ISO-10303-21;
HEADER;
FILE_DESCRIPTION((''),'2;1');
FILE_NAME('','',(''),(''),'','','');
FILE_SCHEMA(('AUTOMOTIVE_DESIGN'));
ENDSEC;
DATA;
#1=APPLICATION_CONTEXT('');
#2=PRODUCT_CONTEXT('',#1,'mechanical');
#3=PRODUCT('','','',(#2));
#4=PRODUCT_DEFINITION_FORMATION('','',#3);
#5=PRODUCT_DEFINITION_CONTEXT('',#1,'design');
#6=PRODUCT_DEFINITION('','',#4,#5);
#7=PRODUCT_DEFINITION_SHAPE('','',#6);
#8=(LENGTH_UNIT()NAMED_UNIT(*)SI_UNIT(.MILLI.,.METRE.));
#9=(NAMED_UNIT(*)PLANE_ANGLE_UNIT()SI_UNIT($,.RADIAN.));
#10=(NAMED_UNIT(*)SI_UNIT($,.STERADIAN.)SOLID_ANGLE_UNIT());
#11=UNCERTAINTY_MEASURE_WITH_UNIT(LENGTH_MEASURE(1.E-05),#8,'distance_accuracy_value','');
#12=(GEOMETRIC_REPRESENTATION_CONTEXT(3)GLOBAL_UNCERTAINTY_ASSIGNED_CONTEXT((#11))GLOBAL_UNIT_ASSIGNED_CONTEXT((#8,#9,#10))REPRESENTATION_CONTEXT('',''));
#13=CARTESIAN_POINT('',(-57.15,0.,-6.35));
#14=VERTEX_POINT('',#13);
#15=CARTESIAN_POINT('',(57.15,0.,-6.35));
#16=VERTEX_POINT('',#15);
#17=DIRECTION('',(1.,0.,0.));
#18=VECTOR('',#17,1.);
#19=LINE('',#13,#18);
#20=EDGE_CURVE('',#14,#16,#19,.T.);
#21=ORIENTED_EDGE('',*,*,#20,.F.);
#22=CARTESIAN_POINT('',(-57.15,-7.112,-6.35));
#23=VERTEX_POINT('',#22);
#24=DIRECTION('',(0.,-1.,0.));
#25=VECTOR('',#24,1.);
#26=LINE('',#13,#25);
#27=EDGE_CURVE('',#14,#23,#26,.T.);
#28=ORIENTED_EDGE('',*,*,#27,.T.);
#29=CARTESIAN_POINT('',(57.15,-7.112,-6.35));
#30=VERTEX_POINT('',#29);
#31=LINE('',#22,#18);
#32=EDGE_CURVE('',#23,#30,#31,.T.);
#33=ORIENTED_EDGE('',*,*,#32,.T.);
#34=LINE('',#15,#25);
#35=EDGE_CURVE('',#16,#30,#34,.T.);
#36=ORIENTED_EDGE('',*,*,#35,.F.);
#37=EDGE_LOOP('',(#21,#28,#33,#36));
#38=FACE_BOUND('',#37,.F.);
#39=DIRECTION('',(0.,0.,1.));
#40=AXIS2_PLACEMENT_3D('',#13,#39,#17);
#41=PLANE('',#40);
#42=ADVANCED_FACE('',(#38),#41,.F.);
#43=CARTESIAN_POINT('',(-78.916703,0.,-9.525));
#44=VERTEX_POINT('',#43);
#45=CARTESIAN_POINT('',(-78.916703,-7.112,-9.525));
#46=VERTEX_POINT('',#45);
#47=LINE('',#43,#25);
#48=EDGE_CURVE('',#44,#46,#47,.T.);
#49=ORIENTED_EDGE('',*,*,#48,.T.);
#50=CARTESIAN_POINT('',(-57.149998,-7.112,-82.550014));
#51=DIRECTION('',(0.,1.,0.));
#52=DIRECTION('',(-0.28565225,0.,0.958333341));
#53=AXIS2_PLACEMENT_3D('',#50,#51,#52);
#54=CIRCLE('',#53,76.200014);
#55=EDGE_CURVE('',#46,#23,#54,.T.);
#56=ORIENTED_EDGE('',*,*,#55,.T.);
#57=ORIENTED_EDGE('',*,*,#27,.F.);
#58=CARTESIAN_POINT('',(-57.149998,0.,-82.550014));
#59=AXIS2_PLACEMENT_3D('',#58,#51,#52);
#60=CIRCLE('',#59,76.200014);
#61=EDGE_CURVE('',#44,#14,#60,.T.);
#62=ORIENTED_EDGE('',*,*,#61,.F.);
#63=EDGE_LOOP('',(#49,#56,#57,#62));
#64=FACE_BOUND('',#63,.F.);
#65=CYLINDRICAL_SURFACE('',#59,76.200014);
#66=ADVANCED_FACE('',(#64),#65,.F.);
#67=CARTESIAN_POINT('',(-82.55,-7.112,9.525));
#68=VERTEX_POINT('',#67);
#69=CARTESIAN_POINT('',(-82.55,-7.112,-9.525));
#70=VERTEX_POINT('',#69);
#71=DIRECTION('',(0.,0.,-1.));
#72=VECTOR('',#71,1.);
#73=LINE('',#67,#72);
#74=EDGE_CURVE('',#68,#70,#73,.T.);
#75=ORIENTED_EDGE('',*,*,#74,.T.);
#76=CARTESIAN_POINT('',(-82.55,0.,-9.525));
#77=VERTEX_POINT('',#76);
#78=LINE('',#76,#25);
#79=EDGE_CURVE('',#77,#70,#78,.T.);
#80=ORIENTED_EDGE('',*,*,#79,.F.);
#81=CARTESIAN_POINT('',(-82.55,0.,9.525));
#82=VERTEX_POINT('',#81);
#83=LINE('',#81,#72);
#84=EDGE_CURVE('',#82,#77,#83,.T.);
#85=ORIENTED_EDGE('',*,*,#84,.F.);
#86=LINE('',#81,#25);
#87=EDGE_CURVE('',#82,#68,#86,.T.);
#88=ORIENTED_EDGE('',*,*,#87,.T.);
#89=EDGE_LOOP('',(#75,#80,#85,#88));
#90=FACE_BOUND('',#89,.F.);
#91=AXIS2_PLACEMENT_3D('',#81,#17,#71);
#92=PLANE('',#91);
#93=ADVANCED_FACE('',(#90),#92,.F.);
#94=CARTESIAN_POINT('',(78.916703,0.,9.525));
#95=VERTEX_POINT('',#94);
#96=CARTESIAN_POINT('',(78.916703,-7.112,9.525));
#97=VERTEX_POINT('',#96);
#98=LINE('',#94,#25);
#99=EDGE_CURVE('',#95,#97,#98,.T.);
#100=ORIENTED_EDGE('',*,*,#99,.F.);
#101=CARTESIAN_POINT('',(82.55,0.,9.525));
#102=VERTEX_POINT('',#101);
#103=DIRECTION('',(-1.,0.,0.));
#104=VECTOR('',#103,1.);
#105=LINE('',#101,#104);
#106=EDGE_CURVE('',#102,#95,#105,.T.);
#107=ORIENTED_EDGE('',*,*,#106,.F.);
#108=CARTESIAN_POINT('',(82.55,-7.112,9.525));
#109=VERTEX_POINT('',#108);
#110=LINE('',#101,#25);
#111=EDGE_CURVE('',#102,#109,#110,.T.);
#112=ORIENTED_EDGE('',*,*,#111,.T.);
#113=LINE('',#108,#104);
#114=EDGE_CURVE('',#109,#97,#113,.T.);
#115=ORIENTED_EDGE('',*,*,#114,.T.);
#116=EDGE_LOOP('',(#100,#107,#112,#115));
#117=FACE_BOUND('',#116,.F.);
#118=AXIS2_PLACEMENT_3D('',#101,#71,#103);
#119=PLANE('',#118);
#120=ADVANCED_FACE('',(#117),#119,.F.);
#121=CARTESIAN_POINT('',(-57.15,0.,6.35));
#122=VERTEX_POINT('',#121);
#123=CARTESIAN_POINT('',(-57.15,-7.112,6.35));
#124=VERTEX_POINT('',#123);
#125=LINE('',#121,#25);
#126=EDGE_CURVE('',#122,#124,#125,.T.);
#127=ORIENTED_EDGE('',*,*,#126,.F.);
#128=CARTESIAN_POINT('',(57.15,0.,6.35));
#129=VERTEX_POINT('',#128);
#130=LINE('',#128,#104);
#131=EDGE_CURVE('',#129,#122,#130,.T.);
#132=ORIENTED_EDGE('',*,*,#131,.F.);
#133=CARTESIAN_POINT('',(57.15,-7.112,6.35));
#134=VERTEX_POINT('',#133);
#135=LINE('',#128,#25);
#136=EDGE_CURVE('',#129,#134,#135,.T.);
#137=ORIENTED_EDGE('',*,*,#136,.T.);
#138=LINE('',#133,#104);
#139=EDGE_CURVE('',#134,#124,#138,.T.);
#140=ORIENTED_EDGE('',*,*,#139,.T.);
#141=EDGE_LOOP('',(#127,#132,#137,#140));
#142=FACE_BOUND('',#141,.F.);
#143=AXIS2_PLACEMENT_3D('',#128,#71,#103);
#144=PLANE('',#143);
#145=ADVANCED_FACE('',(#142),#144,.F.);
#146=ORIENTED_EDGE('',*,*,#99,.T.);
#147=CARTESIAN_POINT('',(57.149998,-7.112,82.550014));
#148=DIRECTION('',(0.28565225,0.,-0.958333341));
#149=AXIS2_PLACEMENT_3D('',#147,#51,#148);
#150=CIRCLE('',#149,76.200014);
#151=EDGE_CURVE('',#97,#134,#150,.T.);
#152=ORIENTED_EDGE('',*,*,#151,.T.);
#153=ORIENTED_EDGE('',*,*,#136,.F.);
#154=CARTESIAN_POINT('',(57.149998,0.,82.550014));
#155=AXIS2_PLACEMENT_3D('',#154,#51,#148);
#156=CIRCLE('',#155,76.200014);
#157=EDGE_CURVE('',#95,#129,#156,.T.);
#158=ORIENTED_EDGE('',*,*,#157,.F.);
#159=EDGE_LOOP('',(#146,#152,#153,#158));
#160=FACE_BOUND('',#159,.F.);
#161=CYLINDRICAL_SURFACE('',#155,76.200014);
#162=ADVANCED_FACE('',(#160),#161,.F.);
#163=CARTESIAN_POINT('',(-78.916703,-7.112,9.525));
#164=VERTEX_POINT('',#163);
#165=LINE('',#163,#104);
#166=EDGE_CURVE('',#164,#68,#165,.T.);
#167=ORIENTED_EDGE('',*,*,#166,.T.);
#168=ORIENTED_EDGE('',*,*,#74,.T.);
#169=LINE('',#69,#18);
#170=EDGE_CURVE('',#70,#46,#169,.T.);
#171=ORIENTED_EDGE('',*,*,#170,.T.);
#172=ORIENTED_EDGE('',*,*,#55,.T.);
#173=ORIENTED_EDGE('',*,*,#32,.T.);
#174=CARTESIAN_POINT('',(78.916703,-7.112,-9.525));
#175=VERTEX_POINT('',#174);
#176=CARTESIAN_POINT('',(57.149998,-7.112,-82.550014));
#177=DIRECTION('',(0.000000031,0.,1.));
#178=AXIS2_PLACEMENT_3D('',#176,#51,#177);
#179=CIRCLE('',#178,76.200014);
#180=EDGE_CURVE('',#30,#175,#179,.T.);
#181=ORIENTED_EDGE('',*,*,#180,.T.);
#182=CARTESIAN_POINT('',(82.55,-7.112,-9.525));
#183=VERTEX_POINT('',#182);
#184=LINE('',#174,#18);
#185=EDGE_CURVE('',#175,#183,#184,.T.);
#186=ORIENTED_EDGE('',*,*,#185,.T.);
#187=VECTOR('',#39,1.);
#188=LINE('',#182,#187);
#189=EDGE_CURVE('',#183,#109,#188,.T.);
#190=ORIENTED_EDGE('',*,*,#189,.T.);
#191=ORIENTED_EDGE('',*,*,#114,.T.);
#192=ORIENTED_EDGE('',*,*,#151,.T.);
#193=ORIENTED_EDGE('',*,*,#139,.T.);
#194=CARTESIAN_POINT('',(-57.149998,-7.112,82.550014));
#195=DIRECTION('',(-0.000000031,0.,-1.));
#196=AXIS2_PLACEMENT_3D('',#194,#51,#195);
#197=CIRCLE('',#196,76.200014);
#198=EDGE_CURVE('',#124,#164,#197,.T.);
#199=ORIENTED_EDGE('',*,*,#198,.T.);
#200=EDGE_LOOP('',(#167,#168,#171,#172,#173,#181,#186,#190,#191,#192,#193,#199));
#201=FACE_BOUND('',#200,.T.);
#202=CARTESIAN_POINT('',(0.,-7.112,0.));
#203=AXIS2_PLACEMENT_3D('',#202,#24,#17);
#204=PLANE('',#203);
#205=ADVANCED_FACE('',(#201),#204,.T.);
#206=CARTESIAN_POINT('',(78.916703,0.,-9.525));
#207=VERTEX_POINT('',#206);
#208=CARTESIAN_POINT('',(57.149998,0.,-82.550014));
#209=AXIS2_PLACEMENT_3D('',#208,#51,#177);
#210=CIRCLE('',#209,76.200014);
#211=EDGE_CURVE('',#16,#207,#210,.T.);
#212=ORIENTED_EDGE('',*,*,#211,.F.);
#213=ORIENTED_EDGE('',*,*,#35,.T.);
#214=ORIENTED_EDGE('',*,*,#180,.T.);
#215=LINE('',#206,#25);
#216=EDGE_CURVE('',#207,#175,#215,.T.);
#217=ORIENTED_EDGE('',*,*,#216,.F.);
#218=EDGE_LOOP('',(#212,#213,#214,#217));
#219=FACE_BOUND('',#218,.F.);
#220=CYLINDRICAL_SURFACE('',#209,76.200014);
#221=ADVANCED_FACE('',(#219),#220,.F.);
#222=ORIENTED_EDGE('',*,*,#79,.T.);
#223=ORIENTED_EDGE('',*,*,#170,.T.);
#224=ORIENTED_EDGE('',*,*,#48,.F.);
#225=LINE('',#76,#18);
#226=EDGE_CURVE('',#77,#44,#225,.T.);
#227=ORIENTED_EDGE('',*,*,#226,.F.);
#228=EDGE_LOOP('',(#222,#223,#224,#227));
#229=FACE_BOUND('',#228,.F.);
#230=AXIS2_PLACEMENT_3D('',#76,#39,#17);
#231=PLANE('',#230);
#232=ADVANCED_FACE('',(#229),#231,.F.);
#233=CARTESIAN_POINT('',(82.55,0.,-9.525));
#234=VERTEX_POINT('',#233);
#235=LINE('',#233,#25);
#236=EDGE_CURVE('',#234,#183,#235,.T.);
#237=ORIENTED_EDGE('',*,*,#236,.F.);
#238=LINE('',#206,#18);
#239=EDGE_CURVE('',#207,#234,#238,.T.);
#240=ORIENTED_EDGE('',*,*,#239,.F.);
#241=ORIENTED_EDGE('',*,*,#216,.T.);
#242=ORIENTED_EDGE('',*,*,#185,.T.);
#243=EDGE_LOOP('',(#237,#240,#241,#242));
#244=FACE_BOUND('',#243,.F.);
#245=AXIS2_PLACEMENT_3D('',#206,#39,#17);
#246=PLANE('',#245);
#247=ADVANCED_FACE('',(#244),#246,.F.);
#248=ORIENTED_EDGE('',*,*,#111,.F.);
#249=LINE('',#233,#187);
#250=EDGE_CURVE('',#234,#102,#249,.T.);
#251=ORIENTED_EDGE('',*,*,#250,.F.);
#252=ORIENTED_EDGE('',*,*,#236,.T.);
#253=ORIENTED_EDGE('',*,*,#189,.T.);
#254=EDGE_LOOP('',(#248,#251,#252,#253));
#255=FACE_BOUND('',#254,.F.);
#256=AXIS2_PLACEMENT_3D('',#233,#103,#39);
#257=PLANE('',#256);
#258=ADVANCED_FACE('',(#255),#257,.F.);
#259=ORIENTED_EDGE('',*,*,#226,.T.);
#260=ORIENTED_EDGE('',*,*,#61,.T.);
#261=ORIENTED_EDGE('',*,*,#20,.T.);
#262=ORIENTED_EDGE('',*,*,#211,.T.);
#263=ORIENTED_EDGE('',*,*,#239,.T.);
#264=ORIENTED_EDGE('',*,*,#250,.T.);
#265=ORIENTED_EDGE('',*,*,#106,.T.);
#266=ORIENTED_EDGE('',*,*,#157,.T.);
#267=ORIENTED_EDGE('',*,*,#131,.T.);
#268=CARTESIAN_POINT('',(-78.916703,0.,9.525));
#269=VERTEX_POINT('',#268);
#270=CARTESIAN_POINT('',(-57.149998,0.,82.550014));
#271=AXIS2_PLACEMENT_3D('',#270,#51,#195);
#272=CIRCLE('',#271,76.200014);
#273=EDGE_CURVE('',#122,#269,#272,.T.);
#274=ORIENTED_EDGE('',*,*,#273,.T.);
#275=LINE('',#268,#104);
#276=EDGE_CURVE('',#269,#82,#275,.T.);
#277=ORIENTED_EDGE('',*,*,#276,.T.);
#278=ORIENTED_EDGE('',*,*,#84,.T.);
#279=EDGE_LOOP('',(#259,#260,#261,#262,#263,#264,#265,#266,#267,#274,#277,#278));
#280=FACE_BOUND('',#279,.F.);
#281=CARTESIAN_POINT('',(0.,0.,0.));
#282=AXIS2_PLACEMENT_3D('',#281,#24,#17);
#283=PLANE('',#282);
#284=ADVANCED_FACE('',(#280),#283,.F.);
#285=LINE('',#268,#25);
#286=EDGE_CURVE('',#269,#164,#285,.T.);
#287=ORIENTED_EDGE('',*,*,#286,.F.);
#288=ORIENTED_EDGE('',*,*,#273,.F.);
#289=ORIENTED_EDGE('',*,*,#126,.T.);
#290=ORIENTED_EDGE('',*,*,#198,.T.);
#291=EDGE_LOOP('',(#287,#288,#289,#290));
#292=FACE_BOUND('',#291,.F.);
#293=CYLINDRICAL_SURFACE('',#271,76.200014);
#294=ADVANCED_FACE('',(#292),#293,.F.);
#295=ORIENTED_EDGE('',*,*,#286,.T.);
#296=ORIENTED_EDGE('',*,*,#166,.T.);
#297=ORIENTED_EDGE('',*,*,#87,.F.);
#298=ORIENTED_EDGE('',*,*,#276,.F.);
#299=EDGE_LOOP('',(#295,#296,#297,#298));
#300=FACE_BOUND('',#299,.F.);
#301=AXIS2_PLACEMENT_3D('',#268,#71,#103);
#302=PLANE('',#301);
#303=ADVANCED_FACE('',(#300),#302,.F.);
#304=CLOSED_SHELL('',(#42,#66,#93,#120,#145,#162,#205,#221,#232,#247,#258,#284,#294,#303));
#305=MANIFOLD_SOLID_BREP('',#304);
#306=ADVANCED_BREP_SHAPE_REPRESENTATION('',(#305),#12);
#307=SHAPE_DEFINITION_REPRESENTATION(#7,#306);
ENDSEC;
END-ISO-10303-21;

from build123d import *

# Parameters (mm, degrees)
F1_DEPTH = 7.112


with BuildPart() as f1:
    # F0 (on Front) → F1 (new body)
    with BuildSketch(Plane.XZ):
        with BuildLine():
            Line((57.15, 6.35), (0, 6.35))
            Line((0, 6.35), (-57.15, 6.35))
            ThreePointArc((-57.15, 6.35), (-68.148523, 7.147928), (-78.916703, 9.525))
            Line((-78.916703, 9.525), (-82.55, 9.525))
            Line((-82.55, 9.525), (-82.55, 0))
            Line((-82.55, 0), (-82.55, -9.525))
            Line((-82.55, -9.525), (-78.916703, -9.525))
            ThreePointArc((-78.916703, -9.525), (-68.148523, -7.147928), (-57.15, -6.35))
            Line((-57.15, -6.35), (0, -6.35))
            Line((0, -6.35), (57.15, -6.35))
            ThreePointArc((57.15, -6.35), (68.148523, -7.147928), (78.916703, -9.525))
            Line((78.916703, -9.525), (82.55, -9.525))
            Line((82.55, -9.525), (82.55, 0))
            Line((82.55, 0), (82.55, 9.525))
            Line((82.55, 9.525), (78.916703, 9.525))
            ThreePointArc((78.916703, 9.525), (68.148523, 7.147928), (57.15, 6.35))
        make_face()
    extrude(amount=F1_DEPTH)


solid = f1.part
